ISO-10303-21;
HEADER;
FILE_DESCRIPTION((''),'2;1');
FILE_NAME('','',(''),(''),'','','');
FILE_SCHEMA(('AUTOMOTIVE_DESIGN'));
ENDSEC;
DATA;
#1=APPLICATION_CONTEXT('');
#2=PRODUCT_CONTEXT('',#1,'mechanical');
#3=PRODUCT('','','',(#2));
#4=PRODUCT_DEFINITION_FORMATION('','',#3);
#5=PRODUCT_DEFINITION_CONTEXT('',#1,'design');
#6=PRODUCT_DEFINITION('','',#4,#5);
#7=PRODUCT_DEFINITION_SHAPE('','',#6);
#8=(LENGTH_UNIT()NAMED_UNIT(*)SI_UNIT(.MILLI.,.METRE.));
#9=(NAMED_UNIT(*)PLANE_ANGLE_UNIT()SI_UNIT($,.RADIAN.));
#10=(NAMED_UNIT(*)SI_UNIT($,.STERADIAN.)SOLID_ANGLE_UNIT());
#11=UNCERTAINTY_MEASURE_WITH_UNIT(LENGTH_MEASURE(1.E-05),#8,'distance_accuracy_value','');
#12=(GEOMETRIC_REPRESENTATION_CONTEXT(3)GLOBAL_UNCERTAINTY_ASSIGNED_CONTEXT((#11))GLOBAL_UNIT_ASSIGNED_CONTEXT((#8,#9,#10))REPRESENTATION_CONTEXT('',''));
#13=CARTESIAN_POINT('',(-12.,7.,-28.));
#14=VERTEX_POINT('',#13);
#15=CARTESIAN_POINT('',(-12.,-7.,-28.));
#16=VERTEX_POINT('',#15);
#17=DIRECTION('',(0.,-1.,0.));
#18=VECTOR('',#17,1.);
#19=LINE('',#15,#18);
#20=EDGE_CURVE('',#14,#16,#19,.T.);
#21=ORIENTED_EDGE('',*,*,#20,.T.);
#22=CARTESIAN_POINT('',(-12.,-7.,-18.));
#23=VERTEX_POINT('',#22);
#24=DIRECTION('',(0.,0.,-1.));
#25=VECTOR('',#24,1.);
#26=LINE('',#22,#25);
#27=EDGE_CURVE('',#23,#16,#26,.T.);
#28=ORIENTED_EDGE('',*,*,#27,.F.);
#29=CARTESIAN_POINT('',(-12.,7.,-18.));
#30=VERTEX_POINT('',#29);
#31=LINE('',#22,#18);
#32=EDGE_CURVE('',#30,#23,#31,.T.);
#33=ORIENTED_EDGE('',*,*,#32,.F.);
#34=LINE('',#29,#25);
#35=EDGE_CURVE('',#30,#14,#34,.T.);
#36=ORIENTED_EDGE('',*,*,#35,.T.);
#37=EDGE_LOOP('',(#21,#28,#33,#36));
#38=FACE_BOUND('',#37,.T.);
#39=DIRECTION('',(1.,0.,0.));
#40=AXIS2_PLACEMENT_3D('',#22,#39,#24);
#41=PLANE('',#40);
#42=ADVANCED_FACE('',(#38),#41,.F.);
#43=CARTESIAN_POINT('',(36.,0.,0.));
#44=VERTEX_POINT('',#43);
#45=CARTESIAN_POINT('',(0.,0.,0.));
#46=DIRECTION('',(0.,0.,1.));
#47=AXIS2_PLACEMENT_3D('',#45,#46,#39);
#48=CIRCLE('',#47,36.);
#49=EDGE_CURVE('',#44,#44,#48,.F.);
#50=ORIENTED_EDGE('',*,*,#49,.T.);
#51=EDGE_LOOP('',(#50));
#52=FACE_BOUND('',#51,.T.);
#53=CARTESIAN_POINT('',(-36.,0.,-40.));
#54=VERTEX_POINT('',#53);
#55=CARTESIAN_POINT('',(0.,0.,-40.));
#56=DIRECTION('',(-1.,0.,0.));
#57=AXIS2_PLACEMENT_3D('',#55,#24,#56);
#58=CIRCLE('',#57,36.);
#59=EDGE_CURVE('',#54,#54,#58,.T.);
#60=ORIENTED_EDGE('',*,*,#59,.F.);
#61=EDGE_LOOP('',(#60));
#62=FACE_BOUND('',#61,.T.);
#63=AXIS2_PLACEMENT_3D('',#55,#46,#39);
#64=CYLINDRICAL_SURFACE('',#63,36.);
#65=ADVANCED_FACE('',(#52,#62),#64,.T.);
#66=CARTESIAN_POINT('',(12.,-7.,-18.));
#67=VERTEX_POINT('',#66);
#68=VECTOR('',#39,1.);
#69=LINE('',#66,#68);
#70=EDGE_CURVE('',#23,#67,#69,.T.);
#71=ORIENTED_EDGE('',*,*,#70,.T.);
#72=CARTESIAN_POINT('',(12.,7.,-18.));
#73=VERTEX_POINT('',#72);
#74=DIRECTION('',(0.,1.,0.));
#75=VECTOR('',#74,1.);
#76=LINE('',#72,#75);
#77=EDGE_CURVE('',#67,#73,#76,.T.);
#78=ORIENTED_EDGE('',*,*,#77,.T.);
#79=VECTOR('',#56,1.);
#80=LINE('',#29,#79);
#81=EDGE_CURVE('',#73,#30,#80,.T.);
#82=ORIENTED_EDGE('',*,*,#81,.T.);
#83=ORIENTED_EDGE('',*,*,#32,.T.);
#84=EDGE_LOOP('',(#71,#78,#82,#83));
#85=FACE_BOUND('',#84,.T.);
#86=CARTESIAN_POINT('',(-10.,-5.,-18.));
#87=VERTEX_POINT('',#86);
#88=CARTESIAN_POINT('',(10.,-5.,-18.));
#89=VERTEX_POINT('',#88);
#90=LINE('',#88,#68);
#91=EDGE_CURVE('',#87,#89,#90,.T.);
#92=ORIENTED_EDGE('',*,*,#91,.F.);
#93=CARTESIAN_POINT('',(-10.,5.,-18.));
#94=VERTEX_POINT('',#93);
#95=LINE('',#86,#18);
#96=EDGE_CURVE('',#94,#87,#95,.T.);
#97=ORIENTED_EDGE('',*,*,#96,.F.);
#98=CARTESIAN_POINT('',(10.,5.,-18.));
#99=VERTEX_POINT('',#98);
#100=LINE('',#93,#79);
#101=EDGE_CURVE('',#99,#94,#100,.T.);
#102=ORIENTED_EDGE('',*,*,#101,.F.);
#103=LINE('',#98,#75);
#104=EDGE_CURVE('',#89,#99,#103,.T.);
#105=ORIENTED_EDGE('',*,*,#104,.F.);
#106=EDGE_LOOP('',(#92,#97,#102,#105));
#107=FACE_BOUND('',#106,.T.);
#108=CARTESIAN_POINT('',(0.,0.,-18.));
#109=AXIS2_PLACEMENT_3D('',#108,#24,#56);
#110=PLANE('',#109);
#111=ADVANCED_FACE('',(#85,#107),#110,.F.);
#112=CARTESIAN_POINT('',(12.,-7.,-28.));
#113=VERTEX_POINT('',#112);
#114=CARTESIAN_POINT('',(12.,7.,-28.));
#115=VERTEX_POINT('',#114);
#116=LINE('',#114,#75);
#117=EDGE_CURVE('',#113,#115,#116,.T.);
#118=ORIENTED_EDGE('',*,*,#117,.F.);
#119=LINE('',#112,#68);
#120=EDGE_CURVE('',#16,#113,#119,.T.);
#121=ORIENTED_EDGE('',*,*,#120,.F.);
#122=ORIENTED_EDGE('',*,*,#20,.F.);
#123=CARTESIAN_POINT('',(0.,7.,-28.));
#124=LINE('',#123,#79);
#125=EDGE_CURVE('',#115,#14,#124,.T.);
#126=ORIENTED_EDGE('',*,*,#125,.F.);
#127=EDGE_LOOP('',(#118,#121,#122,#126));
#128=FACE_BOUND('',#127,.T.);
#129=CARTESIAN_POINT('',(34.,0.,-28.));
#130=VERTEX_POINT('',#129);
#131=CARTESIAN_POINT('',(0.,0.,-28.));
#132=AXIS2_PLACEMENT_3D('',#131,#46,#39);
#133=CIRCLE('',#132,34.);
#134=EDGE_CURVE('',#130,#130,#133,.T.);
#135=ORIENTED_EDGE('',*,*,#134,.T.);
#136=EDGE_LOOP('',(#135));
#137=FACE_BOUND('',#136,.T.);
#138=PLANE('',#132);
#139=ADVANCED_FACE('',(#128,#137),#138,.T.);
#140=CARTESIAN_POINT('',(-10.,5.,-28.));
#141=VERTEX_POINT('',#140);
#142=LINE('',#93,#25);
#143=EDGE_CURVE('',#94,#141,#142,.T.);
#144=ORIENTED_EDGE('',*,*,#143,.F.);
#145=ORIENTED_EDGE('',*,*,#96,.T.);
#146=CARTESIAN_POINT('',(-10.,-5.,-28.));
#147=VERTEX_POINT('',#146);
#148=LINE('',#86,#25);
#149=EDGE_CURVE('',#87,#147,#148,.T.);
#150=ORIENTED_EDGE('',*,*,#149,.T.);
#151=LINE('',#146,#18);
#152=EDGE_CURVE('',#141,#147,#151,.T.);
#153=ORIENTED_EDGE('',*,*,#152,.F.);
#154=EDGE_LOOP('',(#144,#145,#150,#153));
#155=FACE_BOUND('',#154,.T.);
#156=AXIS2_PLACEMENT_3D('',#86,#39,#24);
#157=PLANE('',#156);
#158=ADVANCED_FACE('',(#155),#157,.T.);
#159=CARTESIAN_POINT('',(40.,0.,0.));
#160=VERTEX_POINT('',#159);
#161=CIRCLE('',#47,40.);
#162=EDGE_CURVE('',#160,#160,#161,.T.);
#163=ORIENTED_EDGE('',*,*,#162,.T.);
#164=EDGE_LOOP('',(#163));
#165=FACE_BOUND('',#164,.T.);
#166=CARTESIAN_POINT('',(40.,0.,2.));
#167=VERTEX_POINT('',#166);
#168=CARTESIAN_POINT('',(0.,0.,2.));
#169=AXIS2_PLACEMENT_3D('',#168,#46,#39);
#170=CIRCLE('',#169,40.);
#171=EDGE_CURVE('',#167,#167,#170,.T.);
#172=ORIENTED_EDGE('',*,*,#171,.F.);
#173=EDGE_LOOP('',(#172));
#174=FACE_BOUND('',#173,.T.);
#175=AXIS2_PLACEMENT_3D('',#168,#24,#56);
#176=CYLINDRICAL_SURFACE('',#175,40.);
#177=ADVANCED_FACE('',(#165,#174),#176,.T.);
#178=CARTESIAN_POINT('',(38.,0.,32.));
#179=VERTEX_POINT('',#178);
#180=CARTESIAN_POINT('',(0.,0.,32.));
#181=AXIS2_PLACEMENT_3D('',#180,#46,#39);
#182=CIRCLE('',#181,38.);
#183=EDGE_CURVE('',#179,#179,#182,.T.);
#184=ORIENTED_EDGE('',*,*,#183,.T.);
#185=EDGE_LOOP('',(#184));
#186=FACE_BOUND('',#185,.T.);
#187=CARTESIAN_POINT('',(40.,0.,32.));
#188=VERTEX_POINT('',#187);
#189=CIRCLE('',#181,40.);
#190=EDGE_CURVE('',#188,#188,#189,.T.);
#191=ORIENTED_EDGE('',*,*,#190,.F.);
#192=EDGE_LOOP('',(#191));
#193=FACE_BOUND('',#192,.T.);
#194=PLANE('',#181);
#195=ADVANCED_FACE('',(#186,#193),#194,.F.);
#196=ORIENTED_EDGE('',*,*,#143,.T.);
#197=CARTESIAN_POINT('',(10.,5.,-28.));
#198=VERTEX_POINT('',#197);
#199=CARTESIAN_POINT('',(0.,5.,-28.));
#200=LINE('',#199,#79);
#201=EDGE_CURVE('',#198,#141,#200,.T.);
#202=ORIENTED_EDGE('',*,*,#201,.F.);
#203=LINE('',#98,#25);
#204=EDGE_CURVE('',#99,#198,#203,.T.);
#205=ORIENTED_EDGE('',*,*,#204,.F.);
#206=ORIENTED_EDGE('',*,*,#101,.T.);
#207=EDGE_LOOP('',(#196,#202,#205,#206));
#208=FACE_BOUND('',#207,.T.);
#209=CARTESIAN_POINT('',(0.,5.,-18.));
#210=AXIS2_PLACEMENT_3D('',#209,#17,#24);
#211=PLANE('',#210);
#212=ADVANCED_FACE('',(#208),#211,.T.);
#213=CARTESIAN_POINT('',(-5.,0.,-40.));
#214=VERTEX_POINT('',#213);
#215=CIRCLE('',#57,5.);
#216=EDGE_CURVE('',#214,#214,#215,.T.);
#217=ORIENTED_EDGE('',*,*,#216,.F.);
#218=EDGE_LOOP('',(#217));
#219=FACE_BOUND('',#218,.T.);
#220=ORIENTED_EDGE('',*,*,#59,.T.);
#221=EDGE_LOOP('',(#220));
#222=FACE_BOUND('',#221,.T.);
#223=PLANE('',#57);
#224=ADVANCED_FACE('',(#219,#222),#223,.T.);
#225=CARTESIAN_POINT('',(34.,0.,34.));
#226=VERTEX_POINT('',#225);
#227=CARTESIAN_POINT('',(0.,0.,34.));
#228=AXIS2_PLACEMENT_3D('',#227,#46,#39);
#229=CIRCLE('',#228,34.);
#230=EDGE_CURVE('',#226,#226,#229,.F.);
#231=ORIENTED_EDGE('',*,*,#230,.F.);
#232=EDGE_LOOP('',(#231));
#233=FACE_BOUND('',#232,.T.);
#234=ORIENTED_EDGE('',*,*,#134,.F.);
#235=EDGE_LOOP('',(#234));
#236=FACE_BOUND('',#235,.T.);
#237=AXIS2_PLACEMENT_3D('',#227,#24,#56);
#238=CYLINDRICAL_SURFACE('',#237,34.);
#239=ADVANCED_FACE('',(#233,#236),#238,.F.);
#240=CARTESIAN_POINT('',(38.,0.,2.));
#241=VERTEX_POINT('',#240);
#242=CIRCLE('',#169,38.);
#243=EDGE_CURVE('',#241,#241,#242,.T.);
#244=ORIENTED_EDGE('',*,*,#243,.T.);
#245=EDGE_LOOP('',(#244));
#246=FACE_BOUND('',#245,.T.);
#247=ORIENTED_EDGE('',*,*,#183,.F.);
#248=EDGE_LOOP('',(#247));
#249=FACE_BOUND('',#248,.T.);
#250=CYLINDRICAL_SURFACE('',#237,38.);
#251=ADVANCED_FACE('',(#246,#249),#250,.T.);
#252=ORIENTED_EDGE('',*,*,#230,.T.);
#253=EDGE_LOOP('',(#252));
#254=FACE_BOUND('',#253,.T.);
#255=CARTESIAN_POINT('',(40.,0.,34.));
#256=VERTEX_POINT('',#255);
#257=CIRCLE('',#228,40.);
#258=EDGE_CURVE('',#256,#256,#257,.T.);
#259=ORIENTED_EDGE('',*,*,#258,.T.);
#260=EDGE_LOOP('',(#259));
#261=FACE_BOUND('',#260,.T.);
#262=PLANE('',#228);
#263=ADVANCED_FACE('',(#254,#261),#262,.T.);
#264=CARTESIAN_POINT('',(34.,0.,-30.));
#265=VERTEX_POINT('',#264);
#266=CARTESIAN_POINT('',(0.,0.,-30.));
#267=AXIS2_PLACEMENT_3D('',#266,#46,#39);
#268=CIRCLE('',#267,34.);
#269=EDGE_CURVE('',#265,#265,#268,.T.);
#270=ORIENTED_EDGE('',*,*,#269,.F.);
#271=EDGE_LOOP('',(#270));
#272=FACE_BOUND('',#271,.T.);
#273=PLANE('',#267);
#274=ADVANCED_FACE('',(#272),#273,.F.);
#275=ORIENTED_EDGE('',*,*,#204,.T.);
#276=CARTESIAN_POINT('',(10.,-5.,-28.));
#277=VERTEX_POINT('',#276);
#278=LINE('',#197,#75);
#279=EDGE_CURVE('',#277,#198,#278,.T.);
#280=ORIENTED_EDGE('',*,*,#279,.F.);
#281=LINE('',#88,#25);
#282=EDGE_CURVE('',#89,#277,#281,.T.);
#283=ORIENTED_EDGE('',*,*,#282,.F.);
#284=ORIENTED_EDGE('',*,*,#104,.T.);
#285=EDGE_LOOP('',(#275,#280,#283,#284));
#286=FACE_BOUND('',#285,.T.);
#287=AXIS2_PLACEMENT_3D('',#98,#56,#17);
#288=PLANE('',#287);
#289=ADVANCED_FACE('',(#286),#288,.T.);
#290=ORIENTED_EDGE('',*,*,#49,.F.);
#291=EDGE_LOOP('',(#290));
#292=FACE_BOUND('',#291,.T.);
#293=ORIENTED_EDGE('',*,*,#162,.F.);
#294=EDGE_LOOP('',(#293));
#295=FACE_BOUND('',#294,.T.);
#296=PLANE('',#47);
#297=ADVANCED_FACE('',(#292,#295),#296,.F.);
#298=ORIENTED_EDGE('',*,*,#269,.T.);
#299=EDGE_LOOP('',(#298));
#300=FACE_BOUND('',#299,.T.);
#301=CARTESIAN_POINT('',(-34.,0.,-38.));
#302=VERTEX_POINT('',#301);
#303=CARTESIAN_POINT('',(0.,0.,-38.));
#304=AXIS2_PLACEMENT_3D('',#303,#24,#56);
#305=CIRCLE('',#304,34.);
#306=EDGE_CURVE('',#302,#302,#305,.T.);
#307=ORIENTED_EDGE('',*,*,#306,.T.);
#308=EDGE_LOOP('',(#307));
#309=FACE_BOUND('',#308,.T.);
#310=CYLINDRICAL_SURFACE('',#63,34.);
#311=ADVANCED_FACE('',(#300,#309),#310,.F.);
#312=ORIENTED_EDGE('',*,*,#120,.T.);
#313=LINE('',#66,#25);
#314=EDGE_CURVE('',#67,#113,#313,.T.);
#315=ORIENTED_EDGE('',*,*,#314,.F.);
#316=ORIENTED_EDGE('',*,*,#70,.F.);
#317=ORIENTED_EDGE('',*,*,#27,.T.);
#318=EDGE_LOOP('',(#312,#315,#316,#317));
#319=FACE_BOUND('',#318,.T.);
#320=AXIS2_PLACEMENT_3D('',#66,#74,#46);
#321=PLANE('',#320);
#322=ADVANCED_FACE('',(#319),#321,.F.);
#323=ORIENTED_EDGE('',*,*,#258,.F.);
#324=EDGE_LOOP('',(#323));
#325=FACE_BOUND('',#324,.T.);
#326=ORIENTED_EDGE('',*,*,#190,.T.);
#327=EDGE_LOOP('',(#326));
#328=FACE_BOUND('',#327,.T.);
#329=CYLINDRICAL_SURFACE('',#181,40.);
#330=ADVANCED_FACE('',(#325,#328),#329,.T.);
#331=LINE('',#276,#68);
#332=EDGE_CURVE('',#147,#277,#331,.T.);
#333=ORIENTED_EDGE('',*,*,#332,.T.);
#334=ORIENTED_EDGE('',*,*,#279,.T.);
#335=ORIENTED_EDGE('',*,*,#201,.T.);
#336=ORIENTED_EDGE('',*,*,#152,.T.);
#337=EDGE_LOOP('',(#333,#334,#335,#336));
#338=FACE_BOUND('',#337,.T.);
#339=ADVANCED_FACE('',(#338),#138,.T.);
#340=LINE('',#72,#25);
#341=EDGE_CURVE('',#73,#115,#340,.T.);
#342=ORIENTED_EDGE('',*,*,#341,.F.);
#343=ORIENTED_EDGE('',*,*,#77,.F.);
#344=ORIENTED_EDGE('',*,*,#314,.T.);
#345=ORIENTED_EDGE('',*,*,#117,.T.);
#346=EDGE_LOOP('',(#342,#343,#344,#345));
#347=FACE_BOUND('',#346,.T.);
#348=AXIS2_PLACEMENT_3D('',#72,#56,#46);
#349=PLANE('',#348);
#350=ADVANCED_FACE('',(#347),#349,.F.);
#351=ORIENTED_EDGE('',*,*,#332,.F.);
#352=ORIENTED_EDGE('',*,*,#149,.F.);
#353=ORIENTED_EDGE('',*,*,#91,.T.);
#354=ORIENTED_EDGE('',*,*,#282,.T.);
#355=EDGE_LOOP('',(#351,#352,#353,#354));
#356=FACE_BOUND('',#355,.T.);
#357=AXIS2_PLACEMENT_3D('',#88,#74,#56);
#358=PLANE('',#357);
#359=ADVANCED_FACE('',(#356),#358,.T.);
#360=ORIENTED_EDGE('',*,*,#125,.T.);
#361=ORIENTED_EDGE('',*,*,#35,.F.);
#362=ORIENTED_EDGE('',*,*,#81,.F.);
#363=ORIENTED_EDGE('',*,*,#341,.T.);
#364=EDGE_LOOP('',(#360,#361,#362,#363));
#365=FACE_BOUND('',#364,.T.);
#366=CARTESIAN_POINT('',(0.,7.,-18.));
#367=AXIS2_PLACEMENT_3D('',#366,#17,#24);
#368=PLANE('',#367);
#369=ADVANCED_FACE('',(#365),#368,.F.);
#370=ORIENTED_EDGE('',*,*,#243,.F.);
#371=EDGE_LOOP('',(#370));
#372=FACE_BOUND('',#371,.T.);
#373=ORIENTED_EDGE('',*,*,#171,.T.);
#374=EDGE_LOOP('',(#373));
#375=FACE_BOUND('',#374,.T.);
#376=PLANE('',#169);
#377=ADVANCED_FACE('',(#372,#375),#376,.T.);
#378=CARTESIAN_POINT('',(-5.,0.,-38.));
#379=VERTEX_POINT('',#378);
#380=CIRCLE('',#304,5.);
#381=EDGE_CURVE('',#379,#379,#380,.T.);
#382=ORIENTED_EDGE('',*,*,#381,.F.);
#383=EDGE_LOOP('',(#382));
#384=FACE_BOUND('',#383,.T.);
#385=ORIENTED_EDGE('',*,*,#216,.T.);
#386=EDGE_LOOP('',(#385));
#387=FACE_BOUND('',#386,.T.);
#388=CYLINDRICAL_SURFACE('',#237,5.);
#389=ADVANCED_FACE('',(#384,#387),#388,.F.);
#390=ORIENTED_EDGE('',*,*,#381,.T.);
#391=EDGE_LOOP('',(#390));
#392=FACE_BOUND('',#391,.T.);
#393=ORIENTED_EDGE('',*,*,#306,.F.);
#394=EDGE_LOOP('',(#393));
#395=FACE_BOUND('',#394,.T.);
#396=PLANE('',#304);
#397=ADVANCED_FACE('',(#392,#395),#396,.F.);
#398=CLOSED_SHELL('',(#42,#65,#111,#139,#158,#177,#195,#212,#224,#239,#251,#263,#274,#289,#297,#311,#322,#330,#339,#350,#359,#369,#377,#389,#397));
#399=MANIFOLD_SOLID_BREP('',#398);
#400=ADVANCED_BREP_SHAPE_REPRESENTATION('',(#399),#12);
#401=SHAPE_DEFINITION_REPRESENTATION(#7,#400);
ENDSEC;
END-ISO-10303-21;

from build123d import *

# Parameters (mm, degrees)
SKETCH_1_R               = 38
SKETCH_1_R_2             = 36
EXTRUDE_1_DEPTH          = 34
EXTRUDE_START            = -2
SKETCH_2_R               = 40
SKETCH_2_R_2             = 38
EXTRUDE_2_DEPTH          = 2
EXTRUDE_START_2          = -34
SKETCH_2_2_R             = 40
SKETCH_2_2_R_2           = 38
EXTRUDE_3_DEPTH          = 2
SKETCH_3_R               = 36
SKETCH_3_R_2             = 34
EXTRUDE_4_DEPTH          = 40
SKETCH_4_R               = 34
EXTRUDE_5_DEPTH          = 2
CUT_EXTRUDE_1_DEPTH      = 94.145048178
CUT_EXTRUDE_1_DEPTH_BACK = 94.145048178
SKETCH_5_R               = 5
EXTRUDE_START_3          = -30
SKETCH_6_R               = 34
EXTRUDE_6_DEPTH          = 2
EXTRUDE_7_DEPTH          = 10
SKETCH_8_R               = 36
SKETCH_8_R_2             = 34
EXTRUDE_9_DEPTH          = 34


with BuildPart() as part:
    # 草图1 → 凸台-拉伸1 (new body)
    with BuildSketch(Plane.XY):
        Circle(SKETCH_1_R)
        Circle(SKETCH_1_R_2, mode=Mode.SUBTRACT)
    extrude(amount=EXTRUDE_1_DEPTH)

    # 草图2 → 凸台-拉伸2 (add)
    with BuildSketch(Plane.XY.offset(34).offset(EXTRUDE_START)):
        Circle(SKETCH_2_R)
        Circle(SKETCH_2_R_2, mode=Mode.SUBTRACT)
    extrude(amount=EXTRUDE_2_DEPTH)

    # 草图2<2> → 凸台-拉伸3 (add)
    with BuildSketch(Plane.XY.offset(34).offset(EXTRUDE_START_2)):
        Circle(SKETCH_2_2_R)
        Circle(SKETCH_2_2_R_2, mode=Mode.SUBTRACT)
    extrude(amount=EXTRUDE_3_DEPTH)



with BuildPart() as body_2:
    # 草图3 → 凸台-拉伸4 (new body)
    with BuildSketch(Plane(origin=(0, 0, 0), x_dir=(-1, 0, 0), z_dir=(0, 0, -1))):
        with Locations(Location((0, 0, 0), (0, 0, 180))):
            Circle(SKETCH_3_R)
        Circle(SKETCH_3_R_2, mode=Mode.SUBTRACT)
    extrude(amount=EXTRUDE_4_DEPTH)

    # 草图4 → 凸台-拉伸5 (add)
    with BuildSketch(Plane(origin=(0, 0, -40), x_dir=(-1, 0, 0), z_dir=(0, 0, -1))):
        Circle(SKETCH_4_R)
    extrude(amount=-EXTRUDE_5_DEPTH)

    # 草图5 → 切除-拉伸1 (cut, two sides: drawn at the far end of the back side and taken through both)
    with BuildSketch(Plane(origin=(0, 0, -40), x_dir=(-1, 0, 0), z_dir=(0, 0, -1)).offset(-CUT_EXTRUDE_1_DEPTH_BACK)):
        Circle(SKETCH_5_R)
    extrude(amount=CUT_EXTRUDE_1_DEPTH + CUT_EXTRUDE_1_DEPTH_BACK, mode=Mode.SUBTRACT)

    # 草图6 → 凸台-拉伸6 (add)
    with BuildSketch(Plane.XY.offset(EXTRUDE_START_3)):
        Circle(SKETCH_6_R)
    extrude(amount=EXTRUDE_6_DEPTH)

    # 草图7 → 凸台-拉伸7 (add)
    with BuildSketch(Plane.XY.offset(-28)):
        Polygon((0, 7), (12, 7), (12, -7), (-12, -7), (-12, 7), align=None)
        Polygon((0, 5), (10, 5), (10, -5), (-10, -5), (-10, 5), align=None, mode=Mode.SUBTRACT)
    extrude(amount=EXTRUDE_7_DEPTH)


with BuildPart() as part_1:
    add(part.part)

    add(body_2.part)  # 凸台-拉伸9 merges body 2
    # 草图8 → 凸台-拉伸9 (add, through all)
    with BuildSketch(Plane.XY):
        Circle(SKETCH_8_R)
        Circle(SKETCH_8_R_2, mode=Mode.SUBTRACT)
    extrude(amount=EXTRUDE_9_DEPTH)


solid = part_1.part
